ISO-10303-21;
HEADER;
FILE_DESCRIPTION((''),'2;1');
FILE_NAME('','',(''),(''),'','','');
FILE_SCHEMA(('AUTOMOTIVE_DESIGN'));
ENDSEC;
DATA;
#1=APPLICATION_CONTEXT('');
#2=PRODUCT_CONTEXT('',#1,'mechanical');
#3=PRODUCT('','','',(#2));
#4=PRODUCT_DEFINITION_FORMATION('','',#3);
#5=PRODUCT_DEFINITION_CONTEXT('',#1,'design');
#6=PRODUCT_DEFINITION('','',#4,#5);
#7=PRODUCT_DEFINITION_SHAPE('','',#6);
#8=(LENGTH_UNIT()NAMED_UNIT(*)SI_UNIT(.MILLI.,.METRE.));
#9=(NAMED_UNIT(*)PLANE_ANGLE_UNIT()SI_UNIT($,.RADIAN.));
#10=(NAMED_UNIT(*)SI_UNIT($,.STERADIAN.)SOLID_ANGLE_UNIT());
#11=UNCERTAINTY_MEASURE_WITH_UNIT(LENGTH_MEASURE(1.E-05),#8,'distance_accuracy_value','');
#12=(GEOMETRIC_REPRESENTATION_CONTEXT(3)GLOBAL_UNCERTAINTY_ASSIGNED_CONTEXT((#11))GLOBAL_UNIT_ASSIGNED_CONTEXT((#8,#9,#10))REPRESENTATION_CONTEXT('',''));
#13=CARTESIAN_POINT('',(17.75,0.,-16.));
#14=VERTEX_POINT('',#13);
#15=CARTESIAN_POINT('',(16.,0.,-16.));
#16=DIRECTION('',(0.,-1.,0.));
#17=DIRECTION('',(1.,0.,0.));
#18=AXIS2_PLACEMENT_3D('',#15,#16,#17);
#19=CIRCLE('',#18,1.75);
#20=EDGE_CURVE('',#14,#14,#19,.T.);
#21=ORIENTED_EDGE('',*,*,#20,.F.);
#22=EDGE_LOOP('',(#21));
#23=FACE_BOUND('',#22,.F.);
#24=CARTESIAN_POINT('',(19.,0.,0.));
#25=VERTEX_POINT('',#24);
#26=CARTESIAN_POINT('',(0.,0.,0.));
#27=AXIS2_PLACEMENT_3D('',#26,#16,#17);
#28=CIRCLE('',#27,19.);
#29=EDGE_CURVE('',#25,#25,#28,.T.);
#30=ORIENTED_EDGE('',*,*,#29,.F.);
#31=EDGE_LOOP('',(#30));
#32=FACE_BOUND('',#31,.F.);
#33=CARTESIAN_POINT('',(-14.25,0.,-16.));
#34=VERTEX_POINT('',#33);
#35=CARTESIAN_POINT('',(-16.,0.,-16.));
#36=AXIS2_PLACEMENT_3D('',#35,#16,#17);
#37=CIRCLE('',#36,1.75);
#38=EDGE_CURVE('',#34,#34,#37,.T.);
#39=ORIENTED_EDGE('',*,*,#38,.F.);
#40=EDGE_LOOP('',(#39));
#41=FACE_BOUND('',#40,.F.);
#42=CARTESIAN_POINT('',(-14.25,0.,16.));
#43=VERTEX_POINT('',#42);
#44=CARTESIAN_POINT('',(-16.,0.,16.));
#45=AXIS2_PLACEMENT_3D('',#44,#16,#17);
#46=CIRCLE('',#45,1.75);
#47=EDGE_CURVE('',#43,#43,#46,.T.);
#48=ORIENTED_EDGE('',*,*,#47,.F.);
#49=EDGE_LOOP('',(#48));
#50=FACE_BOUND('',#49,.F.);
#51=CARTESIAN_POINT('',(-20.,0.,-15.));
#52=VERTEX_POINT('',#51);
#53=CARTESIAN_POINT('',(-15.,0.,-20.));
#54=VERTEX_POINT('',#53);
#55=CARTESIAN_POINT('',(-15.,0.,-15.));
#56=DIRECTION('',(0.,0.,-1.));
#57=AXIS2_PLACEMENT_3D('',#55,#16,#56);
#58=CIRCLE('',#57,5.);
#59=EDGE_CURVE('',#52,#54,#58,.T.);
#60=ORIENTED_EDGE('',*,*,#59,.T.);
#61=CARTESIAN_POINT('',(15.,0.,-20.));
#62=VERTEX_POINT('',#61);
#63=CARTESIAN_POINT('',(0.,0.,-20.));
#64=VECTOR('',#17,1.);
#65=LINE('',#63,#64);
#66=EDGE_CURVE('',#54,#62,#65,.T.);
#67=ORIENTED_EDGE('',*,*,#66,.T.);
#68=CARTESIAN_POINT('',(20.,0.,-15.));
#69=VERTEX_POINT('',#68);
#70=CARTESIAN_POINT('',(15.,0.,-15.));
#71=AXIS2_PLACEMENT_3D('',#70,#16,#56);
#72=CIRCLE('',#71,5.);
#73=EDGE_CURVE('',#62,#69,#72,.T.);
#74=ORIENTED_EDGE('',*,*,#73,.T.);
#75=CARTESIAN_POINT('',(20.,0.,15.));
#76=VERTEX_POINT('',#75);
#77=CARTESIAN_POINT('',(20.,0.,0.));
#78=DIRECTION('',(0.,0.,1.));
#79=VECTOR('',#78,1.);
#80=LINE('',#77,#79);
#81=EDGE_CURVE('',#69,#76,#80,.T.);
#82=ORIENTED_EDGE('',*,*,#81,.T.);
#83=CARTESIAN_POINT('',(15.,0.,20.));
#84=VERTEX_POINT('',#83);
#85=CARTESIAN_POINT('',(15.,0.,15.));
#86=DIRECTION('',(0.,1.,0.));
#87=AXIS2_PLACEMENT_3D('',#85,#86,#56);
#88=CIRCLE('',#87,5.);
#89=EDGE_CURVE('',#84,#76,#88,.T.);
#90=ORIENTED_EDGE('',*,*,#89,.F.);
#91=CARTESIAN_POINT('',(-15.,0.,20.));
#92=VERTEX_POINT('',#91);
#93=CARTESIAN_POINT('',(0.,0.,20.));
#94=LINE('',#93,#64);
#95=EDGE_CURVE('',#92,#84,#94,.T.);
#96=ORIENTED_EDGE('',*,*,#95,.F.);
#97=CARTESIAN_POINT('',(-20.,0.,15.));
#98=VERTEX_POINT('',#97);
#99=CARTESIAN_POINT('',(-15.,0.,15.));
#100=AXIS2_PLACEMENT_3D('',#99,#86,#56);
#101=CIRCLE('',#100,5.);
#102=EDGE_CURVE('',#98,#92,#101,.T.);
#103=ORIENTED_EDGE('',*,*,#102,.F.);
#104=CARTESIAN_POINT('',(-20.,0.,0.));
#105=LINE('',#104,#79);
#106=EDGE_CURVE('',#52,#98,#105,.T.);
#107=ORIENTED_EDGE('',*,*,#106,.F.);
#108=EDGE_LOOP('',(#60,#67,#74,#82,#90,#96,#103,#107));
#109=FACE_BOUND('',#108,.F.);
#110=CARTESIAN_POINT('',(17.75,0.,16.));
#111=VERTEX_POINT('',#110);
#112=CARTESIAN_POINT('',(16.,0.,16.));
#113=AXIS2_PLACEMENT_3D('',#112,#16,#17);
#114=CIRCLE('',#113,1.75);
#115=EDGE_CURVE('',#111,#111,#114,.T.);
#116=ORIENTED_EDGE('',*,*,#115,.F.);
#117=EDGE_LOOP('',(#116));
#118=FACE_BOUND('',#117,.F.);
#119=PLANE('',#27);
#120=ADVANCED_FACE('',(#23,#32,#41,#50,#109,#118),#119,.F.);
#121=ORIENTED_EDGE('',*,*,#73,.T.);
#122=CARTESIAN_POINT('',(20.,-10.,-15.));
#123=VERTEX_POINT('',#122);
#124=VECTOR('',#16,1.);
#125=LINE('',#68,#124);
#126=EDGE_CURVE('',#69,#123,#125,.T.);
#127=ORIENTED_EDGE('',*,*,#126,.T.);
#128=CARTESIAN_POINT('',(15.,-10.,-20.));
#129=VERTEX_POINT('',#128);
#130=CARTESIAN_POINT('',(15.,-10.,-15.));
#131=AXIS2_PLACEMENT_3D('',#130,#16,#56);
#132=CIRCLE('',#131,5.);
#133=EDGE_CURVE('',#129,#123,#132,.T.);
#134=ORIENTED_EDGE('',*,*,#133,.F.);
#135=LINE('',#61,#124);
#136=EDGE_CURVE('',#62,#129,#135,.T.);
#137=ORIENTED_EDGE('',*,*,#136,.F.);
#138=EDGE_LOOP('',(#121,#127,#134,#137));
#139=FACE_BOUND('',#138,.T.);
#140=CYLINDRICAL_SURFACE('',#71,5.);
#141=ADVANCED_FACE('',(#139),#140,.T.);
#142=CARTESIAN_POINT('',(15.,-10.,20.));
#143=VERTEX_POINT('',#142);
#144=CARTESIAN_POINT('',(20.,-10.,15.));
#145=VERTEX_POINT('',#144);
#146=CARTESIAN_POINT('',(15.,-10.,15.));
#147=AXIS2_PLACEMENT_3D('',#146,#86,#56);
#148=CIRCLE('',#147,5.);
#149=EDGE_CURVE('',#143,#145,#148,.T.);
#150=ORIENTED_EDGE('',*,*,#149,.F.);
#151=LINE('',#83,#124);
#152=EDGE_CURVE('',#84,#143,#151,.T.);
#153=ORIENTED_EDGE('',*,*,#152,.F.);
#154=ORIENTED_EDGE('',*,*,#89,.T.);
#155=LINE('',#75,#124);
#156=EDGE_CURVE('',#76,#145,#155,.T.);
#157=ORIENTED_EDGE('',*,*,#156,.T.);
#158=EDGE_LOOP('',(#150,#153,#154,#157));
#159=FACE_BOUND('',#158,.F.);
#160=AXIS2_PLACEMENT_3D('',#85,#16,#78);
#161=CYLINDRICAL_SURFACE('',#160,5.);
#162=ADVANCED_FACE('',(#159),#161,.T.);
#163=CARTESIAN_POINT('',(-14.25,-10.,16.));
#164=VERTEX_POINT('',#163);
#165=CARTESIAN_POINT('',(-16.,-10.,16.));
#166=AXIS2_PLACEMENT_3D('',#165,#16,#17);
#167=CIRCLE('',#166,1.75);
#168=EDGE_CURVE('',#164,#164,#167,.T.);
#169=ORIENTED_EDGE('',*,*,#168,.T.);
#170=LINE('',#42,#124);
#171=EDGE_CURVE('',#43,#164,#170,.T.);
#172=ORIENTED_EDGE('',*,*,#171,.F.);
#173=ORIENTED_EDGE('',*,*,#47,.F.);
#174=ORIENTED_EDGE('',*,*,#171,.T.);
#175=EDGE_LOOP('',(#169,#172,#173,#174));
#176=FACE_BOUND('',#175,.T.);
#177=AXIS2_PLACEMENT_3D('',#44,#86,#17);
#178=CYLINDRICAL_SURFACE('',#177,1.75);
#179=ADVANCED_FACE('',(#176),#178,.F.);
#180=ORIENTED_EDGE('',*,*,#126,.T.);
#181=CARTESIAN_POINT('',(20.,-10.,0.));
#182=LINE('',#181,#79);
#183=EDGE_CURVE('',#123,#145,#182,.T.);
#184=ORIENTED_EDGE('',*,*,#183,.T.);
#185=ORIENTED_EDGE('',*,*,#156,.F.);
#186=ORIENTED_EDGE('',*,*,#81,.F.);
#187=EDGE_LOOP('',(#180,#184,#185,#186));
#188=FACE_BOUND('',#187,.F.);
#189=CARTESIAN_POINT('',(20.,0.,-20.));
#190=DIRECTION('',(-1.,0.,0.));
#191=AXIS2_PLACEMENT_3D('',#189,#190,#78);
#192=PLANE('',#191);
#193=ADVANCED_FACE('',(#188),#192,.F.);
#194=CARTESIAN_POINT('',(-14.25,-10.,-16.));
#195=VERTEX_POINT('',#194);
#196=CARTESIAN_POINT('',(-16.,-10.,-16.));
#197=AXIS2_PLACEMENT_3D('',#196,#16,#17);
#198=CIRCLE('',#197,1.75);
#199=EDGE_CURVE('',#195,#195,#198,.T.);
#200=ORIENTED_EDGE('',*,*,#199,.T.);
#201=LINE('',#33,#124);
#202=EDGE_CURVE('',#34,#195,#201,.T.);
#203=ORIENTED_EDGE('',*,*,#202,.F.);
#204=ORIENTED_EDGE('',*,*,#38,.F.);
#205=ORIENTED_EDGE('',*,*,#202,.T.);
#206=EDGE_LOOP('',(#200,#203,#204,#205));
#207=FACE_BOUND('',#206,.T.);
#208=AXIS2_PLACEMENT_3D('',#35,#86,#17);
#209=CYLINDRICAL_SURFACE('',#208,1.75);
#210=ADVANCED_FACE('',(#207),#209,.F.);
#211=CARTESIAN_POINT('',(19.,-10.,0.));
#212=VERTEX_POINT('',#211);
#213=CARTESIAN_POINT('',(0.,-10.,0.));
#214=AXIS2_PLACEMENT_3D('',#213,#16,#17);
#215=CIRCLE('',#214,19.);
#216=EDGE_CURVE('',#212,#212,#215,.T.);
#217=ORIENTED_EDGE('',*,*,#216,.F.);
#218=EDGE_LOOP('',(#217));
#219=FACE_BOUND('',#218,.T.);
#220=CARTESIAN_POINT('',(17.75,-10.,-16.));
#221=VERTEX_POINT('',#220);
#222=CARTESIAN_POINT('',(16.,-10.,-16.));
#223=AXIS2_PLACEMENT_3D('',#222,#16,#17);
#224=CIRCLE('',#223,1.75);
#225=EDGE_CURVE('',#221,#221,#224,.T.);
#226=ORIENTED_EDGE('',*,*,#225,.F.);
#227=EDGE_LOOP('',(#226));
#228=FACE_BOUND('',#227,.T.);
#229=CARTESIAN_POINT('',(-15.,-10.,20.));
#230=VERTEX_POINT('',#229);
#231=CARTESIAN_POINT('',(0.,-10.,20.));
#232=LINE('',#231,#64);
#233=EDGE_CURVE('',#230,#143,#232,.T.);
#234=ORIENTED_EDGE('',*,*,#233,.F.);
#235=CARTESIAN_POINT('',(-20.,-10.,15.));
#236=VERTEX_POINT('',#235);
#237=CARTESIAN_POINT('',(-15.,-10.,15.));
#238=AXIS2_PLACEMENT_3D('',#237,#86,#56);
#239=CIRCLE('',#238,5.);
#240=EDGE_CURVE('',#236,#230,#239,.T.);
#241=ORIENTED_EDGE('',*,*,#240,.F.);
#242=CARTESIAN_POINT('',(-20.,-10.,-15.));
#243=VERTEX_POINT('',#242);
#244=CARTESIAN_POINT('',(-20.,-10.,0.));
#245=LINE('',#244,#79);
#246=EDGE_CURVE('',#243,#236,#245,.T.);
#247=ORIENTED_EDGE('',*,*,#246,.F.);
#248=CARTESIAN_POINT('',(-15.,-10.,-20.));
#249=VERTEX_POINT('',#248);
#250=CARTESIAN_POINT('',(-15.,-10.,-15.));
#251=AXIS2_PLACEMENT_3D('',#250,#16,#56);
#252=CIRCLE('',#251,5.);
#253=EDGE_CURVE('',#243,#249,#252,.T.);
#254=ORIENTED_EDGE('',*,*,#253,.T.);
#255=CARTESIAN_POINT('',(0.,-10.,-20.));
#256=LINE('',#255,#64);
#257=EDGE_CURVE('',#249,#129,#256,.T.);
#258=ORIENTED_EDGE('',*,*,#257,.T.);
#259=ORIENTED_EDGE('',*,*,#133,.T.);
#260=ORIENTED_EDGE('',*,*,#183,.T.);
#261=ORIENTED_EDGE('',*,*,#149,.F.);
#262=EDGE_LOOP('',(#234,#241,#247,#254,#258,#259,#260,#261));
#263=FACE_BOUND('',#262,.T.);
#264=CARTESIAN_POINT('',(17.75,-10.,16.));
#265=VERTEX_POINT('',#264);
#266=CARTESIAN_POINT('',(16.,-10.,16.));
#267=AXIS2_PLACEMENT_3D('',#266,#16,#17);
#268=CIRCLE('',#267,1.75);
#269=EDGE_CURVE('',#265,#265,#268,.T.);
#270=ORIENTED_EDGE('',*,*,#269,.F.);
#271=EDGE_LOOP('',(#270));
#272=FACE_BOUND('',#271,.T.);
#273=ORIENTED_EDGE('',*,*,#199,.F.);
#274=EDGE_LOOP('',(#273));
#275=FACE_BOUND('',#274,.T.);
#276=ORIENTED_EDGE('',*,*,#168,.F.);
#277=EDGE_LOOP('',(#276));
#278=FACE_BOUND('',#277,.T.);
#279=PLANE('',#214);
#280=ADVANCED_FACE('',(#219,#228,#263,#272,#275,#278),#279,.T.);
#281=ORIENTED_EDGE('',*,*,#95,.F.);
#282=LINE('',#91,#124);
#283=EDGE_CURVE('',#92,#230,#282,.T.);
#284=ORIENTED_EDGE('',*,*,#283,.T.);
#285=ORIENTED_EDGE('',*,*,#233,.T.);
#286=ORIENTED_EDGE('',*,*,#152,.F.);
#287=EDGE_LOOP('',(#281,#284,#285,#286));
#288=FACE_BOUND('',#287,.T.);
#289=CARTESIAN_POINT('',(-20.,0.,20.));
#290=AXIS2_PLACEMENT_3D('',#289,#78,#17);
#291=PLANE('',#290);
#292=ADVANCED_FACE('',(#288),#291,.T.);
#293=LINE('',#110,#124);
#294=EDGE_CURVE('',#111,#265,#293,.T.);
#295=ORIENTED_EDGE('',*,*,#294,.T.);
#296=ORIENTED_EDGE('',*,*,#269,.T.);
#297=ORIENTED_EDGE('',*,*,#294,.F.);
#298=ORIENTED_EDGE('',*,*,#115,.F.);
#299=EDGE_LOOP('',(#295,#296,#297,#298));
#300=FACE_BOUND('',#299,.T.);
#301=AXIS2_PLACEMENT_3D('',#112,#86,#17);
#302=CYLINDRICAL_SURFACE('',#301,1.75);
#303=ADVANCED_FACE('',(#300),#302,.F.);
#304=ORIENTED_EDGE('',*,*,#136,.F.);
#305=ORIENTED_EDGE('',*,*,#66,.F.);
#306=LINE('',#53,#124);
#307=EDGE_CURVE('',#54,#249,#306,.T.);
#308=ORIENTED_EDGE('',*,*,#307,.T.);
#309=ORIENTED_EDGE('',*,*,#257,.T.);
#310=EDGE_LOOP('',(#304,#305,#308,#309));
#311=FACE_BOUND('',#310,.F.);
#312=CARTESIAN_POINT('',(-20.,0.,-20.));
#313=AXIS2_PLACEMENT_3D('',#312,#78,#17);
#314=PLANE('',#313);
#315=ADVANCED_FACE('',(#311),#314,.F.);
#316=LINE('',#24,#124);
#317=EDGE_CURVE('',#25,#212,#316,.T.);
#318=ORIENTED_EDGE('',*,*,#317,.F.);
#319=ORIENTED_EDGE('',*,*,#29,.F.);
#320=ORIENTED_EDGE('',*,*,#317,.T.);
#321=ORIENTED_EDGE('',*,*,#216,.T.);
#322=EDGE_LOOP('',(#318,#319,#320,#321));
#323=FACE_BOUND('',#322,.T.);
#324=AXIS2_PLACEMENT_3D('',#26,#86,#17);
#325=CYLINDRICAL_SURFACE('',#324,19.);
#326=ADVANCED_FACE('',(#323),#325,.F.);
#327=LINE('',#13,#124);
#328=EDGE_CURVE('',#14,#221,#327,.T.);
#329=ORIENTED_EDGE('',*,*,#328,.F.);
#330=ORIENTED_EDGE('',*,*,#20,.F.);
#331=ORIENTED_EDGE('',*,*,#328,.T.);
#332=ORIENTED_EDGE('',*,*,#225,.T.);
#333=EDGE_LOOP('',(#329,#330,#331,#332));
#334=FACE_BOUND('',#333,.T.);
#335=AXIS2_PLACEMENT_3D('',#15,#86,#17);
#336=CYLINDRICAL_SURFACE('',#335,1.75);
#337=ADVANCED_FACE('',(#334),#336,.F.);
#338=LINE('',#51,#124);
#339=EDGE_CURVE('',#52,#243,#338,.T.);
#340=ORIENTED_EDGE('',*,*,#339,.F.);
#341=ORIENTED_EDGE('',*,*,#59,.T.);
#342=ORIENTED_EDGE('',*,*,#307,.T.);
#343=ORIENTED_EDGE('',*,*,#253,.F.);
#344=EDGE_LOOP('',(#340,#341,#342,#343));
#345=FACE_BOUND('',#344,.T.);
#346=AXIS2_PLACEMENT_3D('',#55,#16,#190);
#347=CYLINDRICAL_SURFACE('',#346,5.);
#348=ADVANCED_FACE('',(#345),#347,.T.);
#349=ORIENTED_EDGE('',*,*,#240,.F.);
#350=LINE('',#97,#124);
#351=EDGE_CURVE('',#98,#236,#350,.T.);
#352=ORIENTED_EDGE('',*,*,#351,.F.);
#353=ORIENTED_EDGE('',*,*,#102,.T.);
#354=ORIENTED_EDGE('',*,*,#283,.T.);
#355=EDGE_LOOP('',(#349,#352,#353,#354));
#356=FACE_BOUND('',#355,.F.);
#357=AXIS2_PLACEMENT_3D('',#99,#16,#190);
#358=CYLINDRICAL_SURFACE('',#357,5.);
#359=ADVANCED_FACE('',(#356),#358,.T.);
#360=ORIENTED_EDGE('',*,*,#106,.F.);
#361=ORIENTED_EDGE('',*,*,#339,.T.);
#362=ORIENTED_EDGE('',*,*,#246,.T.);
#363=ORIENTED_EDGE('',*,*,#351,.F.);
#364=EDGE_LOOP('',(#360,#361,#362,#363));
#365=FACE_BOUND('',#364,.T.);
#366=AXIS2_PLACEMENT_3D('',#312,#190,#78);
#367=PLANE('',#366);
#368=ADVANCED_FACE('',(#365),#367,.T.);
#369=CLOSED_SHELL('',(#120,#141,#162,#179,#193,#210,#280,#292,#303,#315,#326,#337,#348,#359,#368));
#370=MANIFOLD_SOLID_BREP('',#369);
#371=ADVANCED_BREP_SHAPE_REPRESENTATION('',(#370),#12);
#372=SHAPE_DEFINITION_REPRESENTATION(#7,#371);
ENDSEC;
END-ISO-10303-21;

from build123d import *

# Parameters (mm, degrees)
F0_W     = 40
F0_H     = 40
F0_R     = 1.75
F0_R_2   = 19
F1_DEPTH = 10
F2_R     = 5


with BuildPart() as f1:
    # F0 (on Front) → F1 (new body)
    with BuildSketch(Plane.XZ):
        Rectangle(F0_W, F0_H)
        with Locations((-16, -16)):
            Circle(F0_R, mode=Mode.SUBTRACT)
        with Locations((16, -16)):
            Circle(F0_R, mode=Mode.SUBTRACT)
        with Locations((-16, 16)):
            Circle(F0_R, mode=Mode.SUBTRACT)
        Circle(F0_R_2, mode=Mode.SUBTRACT)
        with Locations((16, 16)):
            Circle(F0_R, mode=Mode.SUBTRACT)
    extrude(amount=F1_DEPTH)

    # F2
    f2_edges = [f1.edges().sort_by_distance(p)[0] for p in [
        (-20, -5, 20),
        (20, -5, 20),
        (20, -5, -20),
        (-20, -5, -20),
    ]]
    fillet(f2_edges, radius=F2_R)


solid = f1.part
